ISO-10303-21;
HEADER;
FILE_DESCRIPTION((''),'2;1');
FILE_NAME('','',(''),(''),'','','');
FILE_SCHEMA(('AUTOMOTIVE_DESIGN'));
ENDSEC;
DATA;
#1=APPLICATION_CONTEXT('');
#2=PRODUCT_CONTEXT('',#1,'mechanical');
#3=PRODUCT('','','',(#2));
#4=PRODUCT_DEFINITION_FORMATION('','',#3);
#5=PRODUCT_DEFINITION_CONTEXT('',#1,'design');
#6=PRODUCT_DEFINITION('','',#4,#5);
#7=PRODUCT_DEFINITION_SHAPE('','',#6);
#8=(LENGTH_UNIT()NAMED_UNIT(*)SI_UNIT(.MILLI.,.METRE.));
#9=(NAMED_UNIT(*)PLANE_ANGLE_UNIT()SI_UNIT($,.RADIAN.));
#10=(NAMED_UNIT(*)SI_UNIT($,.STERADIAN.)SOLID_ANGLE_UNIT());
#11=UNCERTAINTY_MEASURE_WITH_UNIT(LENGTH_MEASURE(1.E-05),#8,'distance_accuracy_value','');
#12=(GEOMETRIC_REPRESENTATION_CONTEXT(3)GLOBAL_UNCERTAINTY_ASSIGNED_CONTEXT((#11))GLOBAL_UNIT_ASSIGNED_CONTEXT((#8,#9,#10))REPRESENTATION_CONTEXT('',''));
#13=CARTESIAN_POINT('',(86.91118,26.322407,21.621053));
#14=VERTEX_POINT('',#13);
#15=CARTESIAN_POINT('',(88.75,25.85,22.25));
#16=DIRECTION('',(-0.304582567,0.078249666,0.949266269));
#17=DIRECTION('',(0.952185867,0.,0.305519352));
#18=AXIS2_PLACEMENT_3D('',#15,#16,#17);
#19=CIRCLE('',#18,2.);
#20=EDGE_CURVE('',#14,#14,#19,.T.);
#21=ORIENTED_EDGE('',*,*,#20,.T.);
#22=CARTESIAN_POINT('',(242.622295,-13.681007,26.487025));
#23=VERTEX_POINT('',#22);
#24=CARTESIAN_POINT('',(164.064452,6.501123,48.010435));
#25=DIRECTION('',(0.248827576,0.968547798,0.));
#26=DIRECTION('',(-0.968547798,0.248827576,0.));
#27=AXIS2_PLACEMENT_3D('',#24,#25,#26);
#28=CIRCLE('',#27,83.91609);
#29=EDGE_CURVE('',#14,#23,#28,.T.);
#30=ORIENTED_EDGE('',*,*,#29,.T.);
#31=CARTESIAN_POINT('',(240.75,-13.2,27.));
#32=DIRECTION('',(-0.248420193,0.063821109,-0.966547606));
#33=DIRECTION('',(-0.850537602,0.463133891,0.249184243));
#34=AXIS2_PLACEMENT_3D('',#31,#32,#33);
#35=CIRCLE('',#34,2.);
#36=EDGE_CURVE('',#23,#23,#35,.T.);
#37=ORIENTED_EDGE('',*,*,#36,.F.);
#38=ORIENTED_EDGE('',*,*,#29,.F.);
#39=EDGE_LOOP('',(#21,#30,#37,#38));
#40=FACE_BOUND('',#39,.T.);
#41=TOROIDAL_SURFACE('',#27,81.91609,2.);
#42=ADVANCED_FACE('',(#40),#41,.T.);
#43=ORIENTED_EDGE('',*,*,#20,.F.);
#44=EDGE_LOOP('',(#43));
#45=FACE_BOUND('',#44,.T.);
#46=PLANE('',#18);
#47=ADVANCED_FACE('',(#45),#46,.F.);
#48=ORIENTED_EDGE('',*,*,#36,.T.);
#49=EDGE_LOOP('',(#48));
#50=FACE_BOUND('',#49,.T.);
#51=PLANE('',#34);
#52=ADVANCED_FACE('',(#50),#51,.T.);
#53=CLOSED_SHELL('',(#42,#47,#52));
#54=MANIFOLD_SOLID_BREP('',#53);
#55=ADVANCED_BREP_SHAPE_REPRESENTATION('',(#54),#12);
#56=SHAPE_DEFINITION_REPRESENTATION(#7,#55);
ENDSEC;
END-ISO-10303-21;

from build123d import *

# Parameters (mm, degrees)
SWEEP1_PROFILE_R = 2


with BuildPart() as part:
    # Sweep1: sweep along a path in Sketch2
    with BuildLine(Plane(origin=(11.724856878, 45.638367361, 0), x_dir=(0.96854779826277, -0.24882757580368894, 0), z_dir=(0.24882757580368894, 0.96854779826277, 0))) as sweep1_path:
        ThreePointArc((79.526424261, -22.25), (154.808376464, -129.889029759), (236.462406432, -27))
    # Sweep1 profile (on start of the path) → Sweep1 (sweep)
    with BuildSketch(Plane(origin=(88.75, 25.85, 22.25), x_dir=(0.9521858672073829, 0, 0.3055193517447368), z_dir=(-0.30458256650014326, 0.07824966593309507, 0.9492662692656602))):
        Circle(SWEEP1_PROFILE_R)
    sweep(path=sweep1_path.line)


solid = part.part
